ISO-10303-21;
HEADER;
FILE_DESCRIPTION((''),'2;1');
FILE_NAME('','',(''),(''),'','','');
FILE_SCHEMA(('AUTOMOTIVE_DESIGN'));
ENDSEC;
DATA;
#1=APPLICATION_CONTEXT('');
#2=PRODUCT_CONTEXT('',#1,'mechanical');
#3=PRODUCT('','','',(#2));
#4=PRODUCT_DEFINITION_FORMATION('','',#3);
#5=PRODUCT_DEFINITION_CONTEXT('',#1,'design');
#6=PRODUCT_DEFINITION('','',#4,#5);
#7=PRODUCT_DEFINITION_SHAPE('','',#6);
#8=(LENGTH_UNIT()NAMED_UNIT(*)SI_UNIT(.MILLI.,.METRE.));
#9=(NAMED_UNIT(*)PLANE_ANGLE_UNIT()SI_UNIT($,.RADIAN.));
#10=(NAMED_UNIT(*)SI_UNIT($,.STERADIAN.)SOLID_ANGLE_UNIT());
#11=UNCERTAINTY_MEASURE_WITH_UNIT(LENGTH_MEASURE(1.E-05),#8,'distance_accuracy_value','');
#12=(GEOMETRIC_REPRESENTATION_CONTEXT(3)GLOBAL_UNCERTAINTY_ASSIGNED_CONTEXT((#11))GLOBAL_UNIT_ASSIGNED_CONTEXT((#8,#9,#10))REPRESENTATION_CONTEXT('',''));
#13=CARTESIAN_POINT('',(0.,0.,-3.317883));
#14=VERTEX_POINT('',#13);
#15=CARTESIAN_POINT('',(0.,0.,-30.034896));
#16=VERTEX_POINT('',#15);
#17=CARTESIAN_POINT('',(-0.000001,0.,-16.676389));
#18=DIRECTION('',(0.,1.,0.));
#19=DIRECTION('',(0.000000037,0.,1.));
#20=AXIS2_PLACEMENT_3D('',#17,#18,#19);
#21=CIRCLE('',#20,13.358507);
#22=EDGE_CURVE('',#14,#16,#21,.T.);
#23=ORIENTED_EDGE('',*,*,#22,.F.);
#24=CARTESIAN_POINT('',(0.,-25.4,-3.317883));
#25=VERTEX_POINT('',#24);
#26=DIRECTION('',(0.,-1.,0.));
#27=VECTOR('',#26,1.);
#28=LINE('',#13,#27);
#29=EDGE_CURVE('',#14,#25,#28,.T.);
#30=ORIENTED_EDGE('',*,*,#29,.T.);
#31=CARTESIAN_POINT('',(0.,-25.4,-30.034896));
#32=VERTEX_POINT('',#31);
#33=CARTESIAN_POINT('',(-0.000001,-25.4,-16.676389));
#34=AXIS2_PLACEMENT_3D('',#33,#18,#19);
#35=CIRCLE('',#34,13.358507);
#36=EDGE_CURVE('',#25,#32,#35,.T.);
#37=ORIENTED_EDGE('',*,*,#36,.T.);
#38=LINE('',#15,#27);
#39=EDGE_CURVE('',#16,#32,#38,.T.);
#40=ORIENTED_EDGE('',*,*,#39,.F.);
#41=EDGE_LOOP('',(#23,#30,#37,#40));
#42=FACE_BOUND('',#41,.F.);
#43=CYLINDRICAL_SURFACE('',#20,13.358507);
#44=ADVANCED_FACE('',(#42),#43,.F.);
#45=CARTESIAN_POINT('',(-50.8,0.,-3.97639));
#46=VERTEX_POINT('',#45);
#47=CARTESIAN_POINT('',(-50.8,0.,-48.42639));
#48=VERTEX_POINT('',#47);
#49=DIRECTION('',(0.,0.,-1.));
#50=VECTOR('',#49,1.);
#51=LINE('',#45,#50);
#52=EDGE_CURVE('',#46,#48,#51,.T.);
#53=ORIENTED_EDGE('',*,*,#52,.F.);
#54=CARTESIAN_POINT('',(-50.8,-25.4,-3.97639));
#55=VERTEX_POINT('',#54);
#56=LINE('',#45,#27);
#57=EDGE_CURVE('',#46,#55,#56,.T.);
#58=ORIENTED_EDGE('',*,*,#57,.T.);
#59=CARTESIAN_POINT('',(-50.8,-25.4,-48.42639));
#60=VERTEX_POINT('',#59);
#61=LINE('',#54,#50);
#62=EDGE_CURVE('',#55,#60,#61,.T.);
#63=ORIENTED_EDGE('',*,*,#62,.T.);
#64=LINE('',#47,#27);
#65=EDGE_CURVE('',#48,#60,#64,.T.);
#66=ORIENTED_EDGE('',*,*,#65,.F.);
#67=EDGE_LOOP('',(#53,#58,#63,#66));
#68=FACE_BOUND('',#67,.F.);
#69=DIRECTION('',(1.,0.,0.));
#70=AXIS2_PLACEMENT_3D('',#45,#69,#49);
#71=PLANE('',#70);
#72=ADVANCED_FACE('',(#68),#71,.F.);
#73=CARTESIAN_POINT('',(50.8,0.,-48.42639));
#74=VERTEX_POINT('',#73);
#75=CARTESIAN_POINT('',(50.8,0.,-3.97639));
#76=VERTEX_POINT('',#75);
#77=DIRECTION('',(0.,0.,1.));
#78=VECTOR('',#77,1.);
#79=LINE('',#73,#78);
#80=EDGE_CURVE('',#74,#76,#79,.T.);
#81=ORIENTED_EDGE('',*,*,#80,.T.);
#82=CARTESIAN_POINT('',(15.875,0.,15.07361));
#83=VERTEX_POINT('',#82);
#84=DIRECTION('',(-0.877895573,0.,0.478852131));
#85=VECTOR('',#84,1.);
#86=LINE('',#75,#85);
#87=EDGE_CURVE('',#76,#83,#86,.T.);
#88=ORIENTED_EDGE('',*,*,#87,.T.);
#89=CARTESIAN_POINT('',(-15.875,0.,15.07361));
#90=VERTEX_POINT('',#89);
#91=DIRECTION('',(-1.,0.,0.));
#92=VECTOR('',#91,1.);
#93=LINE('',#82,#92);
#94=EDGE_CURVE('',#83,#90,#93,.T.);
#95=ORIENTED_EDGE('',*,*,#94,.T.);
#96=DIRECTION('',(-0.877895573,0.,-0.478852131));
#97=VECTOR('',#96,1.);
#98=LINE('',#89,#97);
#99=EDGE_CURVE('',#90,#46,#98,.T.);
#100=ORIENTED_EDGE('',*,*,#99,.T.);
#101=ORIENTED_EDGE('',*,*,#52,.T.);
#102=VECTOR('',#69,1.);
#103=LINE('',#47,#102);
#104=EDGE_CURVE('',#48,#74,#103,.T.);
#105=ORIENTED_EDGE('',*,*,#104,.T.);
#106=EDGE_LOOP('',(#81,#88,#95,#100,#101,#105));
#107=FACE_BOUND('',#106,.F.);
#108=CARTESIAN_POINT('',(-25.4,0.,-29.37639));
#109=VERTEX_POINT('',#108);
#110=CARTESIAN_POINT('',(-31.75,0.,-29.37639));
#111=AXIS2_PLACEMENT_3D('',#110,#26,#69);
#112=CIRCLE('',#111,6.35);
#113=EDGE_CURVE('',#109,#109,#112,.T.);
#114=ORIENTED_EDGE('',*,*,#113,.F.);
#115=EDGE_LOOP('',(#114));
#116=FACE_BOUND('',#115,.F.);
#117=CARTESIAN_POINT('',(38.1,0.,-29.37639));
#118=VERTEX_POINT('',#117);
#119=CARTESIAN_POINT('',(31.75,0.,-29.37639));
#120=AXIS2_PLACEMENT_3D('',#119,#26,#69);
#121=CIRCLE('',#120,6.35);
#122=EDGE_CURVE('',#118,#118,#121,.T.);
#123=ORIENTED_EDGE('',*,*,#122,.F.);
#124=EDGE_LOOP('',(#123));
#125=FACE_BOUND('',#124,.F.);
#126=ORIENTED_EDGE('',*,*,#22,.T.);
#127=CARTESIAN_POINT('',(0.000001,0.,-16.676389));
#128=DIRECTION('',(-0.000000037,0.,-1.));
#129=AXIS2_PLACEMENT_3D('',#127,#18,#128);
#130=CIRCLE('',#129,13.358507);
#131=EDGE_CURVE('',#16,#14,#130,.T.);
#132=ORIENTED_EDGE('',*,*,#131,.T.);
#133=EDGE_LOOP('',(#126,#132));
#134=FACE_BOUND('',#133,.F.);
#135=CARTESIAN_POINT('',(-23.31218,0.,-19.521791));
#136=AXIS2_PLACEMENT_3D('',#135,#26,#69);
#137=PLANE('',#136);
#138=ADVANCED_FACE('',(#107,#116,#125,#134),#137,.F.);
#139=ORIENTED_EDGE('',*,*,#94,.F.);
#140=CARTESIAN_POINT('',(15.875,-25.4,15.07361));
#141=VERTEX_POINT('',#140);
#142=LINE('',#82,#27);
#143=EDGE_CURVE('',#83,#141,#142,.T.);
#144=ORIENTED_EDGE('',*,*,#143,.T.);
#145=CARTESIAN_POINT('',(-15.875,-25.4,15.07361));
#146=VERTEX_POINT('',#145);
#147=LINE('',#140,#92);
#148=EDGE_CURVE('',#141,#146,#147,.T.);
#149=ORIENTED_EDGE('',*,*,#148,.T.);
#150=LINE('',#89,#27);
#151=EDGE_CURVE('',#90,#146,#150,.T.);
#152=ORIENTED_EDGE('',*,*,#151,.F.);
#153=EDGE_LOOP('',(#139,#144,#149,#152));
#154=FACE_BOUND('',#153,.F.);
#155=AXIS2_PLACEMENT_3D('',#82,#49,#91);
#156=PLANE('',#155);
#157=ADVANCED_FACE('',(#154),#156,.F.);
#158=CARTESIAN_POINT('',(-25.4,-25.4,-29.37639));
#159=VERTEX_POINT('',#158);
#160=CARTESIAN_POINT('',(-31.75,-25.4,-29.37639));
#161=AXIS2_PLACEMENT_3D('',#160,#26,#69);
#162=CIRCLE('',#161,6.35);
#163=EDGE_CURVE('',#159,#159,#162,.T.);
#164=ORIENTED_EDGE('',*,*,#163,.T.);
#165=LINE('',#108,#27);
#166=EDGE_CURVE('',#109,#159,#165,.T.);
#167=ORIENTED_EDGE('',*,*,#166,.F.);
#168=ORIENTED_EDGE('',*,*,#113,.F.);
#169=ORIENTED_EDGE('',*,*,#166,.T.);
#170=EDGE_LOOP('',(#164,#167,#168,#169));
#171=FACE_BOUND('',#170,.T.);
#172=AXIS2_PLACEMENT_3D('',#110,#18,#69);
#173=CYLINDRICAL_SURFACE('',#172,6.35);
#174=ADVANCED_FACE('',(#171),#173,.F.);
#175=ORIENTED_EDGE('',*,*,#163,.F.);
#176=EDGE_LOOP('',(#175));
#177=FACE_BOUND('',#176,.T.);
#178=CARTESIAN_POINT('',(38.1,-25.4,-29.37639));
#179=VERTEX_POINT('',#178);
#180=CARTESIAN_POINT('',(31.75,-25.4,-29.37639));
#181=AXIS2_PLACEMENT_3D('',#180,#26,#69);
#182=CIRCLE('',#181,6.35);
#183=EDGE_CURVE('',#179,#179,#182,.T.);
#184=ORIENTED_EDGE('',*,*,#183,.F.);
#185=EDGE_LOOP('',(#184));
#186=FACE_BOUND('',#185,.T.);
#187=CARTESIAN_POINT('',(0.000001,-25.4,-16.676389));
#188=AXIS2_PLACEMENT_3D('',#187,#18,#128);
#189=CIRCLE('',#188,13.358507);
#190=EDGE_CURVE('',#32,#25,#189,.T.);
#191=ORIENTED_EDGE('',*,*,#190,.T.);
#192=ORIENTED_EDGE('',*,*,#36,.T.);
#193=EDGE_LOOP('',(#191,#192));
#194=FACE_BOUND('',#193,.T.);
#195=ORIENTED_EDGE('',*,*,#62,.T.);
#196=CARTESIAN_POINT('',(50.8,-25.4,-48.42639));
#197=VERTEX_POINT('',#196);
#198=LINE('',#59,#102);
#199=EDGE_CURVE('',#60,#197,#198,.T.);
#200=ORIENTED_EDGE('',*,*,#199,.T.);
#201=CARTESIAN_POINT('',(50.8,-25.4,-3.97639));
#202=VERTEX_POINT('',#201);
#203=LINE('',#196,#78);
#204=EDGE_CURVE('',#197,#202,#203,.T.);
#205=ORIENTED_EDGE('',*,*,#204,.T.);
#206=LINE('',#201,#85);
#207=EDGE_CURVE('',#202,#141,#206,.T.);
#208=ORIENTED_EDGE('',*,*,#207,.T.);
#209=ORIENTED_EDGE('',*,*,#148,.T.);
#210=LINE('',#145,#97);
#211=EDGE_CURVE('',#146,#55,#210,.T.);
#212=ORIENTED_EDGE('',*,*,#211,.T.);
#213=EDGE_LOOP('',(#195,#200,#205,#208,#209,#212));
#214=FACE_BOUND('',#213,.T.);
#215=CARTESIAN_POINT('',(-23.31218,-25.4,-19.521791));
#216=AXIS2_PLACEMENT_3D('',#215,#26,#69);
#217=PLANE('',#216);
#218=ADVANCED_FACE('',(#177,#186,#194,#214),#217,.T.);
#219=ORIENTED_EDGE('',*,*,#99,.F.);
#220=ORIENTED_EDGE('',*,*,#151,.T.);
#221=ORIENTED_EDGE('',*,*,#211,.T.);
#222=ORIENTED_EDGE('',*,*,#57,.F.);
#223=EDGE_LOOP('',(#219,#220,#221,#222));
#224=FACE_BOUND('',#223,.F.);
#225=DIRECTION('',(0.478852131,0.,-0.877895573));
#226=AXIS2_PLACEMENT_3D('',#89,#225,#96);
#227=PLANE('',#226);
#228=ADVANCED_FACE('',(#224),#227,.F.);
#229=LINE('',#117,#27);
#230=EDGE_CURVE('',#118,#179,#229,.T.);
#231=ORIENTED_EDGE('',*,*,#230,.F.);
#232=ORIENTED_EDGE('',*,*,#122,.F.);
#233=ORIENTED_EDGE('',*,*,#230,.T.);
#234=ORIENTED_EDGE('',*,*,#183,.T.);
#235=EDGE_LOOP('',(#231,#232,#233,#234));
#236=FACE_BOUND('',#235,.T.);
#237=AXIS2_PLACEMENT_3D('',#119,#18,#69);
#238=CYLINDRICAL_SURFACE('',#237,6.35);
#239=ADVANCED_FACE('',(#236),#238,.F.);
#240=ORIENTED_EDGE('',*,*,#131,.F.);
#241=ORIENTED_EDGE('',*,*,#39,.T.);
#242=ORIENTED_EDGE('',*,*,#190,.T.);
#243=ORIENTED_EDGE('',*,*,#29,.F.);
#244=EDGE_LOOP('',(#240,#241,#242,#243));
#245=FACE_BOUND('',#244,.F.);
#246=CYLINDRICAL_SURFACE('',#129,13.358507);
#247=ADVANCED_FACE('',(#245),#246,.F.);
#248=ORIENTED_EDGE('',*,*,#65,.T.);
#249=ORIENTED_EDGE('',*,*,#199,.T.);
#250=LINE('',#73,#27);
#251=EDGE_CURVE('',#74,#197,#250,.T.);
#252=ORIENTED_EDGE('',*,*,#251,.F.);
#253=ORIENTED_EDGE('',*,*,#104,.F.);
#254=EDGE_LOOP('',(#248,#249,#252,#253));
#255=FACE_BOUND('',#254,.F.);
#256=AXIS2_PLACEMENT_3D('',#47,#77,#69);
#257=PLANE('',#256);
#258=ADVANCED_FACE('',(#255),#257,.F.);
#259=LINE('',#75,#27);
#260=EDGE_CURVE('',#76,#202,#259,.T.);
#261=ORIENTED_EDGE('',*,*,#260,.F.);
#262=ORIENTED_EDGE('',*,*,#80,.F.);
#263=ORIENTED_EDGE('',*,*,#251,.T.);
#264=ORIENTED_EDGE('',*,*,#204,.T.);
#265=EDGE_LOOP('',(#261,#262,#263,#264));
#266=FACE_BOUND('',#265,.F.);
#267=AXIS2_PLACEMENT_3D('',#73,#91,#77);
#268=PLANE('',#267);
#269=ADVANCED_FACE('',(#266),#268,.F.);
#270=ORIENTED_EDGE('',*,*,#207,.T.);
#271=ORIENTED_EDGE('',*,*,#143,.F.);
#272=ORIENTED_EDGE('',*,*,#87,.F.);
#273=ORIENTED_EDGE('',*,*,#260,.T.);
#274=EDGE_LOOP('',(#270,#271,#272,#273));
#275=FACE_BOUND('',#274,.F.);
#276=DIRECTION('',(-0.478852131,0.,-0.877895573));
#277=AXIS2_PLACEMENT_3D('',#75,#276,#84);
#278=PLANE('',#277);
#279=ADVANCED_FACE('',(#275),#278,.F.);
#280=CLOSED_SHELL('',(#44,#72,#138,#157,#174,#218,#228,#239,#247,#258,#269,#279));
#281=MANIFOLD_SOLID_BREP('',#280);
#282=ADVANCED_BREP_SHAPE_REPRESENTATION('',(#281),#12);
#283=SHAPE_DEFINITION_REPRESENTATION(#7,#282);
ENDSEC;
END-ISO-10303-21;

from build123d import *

# Parameters (mm, degrees)
F0_R     = 6.35
F1_DEPTH = 25.4


with BuildPart() as f1:
    # F0 (on Front) → F1 (new body)
    with BuildSketch(Plane.XZ):
        with BuildLine():
            Line((0, -3.317883), (0, 15.07361))
            Line((0, 15.07361), (-15.875, 15.07361))
            Line((-15.875, 15.07361), (-50.8, -3.97639))
            Line((-50.8, -3.97639), (-50.8, -48.42639))
            Line((-50.8, -48.42639), (0, -48.42639))
            Line((0, -48.42639), (0, -30.034896))
            ThreePointArc((0, -30.034896), (-13.358506, -16.67639), (0, -3.317883))
        make_face()
        with Locations((-31.75, -29.37639)):
            Circle(F0_R, mode=Mode.SUBTRACT)
        with BuildLine():
            Line((15.875, 15.07361), (0, 15.07361))
            Line((0, 15.07361), (0, -3.317883))
            ThreePointArc((0, -3.317883), (13.358506, -16.67639), (0, -30.034896))
            Line((0, -30.034896), (0, -48.42639))
            Line((0, -48.42639), (50.8, -48.42639))
            Line((50.8, -48.42639), (50.8, -3.97639))
            Line((50.8, -3.97639), (15.875, 15.07361))
        make_face()
        with Locations((31.75, -29.37639)):
            Circle(F0_R, mode=Mode.SUBTRACT)
    extrude(amount=F1_DEPTH)


solid = f1.part
